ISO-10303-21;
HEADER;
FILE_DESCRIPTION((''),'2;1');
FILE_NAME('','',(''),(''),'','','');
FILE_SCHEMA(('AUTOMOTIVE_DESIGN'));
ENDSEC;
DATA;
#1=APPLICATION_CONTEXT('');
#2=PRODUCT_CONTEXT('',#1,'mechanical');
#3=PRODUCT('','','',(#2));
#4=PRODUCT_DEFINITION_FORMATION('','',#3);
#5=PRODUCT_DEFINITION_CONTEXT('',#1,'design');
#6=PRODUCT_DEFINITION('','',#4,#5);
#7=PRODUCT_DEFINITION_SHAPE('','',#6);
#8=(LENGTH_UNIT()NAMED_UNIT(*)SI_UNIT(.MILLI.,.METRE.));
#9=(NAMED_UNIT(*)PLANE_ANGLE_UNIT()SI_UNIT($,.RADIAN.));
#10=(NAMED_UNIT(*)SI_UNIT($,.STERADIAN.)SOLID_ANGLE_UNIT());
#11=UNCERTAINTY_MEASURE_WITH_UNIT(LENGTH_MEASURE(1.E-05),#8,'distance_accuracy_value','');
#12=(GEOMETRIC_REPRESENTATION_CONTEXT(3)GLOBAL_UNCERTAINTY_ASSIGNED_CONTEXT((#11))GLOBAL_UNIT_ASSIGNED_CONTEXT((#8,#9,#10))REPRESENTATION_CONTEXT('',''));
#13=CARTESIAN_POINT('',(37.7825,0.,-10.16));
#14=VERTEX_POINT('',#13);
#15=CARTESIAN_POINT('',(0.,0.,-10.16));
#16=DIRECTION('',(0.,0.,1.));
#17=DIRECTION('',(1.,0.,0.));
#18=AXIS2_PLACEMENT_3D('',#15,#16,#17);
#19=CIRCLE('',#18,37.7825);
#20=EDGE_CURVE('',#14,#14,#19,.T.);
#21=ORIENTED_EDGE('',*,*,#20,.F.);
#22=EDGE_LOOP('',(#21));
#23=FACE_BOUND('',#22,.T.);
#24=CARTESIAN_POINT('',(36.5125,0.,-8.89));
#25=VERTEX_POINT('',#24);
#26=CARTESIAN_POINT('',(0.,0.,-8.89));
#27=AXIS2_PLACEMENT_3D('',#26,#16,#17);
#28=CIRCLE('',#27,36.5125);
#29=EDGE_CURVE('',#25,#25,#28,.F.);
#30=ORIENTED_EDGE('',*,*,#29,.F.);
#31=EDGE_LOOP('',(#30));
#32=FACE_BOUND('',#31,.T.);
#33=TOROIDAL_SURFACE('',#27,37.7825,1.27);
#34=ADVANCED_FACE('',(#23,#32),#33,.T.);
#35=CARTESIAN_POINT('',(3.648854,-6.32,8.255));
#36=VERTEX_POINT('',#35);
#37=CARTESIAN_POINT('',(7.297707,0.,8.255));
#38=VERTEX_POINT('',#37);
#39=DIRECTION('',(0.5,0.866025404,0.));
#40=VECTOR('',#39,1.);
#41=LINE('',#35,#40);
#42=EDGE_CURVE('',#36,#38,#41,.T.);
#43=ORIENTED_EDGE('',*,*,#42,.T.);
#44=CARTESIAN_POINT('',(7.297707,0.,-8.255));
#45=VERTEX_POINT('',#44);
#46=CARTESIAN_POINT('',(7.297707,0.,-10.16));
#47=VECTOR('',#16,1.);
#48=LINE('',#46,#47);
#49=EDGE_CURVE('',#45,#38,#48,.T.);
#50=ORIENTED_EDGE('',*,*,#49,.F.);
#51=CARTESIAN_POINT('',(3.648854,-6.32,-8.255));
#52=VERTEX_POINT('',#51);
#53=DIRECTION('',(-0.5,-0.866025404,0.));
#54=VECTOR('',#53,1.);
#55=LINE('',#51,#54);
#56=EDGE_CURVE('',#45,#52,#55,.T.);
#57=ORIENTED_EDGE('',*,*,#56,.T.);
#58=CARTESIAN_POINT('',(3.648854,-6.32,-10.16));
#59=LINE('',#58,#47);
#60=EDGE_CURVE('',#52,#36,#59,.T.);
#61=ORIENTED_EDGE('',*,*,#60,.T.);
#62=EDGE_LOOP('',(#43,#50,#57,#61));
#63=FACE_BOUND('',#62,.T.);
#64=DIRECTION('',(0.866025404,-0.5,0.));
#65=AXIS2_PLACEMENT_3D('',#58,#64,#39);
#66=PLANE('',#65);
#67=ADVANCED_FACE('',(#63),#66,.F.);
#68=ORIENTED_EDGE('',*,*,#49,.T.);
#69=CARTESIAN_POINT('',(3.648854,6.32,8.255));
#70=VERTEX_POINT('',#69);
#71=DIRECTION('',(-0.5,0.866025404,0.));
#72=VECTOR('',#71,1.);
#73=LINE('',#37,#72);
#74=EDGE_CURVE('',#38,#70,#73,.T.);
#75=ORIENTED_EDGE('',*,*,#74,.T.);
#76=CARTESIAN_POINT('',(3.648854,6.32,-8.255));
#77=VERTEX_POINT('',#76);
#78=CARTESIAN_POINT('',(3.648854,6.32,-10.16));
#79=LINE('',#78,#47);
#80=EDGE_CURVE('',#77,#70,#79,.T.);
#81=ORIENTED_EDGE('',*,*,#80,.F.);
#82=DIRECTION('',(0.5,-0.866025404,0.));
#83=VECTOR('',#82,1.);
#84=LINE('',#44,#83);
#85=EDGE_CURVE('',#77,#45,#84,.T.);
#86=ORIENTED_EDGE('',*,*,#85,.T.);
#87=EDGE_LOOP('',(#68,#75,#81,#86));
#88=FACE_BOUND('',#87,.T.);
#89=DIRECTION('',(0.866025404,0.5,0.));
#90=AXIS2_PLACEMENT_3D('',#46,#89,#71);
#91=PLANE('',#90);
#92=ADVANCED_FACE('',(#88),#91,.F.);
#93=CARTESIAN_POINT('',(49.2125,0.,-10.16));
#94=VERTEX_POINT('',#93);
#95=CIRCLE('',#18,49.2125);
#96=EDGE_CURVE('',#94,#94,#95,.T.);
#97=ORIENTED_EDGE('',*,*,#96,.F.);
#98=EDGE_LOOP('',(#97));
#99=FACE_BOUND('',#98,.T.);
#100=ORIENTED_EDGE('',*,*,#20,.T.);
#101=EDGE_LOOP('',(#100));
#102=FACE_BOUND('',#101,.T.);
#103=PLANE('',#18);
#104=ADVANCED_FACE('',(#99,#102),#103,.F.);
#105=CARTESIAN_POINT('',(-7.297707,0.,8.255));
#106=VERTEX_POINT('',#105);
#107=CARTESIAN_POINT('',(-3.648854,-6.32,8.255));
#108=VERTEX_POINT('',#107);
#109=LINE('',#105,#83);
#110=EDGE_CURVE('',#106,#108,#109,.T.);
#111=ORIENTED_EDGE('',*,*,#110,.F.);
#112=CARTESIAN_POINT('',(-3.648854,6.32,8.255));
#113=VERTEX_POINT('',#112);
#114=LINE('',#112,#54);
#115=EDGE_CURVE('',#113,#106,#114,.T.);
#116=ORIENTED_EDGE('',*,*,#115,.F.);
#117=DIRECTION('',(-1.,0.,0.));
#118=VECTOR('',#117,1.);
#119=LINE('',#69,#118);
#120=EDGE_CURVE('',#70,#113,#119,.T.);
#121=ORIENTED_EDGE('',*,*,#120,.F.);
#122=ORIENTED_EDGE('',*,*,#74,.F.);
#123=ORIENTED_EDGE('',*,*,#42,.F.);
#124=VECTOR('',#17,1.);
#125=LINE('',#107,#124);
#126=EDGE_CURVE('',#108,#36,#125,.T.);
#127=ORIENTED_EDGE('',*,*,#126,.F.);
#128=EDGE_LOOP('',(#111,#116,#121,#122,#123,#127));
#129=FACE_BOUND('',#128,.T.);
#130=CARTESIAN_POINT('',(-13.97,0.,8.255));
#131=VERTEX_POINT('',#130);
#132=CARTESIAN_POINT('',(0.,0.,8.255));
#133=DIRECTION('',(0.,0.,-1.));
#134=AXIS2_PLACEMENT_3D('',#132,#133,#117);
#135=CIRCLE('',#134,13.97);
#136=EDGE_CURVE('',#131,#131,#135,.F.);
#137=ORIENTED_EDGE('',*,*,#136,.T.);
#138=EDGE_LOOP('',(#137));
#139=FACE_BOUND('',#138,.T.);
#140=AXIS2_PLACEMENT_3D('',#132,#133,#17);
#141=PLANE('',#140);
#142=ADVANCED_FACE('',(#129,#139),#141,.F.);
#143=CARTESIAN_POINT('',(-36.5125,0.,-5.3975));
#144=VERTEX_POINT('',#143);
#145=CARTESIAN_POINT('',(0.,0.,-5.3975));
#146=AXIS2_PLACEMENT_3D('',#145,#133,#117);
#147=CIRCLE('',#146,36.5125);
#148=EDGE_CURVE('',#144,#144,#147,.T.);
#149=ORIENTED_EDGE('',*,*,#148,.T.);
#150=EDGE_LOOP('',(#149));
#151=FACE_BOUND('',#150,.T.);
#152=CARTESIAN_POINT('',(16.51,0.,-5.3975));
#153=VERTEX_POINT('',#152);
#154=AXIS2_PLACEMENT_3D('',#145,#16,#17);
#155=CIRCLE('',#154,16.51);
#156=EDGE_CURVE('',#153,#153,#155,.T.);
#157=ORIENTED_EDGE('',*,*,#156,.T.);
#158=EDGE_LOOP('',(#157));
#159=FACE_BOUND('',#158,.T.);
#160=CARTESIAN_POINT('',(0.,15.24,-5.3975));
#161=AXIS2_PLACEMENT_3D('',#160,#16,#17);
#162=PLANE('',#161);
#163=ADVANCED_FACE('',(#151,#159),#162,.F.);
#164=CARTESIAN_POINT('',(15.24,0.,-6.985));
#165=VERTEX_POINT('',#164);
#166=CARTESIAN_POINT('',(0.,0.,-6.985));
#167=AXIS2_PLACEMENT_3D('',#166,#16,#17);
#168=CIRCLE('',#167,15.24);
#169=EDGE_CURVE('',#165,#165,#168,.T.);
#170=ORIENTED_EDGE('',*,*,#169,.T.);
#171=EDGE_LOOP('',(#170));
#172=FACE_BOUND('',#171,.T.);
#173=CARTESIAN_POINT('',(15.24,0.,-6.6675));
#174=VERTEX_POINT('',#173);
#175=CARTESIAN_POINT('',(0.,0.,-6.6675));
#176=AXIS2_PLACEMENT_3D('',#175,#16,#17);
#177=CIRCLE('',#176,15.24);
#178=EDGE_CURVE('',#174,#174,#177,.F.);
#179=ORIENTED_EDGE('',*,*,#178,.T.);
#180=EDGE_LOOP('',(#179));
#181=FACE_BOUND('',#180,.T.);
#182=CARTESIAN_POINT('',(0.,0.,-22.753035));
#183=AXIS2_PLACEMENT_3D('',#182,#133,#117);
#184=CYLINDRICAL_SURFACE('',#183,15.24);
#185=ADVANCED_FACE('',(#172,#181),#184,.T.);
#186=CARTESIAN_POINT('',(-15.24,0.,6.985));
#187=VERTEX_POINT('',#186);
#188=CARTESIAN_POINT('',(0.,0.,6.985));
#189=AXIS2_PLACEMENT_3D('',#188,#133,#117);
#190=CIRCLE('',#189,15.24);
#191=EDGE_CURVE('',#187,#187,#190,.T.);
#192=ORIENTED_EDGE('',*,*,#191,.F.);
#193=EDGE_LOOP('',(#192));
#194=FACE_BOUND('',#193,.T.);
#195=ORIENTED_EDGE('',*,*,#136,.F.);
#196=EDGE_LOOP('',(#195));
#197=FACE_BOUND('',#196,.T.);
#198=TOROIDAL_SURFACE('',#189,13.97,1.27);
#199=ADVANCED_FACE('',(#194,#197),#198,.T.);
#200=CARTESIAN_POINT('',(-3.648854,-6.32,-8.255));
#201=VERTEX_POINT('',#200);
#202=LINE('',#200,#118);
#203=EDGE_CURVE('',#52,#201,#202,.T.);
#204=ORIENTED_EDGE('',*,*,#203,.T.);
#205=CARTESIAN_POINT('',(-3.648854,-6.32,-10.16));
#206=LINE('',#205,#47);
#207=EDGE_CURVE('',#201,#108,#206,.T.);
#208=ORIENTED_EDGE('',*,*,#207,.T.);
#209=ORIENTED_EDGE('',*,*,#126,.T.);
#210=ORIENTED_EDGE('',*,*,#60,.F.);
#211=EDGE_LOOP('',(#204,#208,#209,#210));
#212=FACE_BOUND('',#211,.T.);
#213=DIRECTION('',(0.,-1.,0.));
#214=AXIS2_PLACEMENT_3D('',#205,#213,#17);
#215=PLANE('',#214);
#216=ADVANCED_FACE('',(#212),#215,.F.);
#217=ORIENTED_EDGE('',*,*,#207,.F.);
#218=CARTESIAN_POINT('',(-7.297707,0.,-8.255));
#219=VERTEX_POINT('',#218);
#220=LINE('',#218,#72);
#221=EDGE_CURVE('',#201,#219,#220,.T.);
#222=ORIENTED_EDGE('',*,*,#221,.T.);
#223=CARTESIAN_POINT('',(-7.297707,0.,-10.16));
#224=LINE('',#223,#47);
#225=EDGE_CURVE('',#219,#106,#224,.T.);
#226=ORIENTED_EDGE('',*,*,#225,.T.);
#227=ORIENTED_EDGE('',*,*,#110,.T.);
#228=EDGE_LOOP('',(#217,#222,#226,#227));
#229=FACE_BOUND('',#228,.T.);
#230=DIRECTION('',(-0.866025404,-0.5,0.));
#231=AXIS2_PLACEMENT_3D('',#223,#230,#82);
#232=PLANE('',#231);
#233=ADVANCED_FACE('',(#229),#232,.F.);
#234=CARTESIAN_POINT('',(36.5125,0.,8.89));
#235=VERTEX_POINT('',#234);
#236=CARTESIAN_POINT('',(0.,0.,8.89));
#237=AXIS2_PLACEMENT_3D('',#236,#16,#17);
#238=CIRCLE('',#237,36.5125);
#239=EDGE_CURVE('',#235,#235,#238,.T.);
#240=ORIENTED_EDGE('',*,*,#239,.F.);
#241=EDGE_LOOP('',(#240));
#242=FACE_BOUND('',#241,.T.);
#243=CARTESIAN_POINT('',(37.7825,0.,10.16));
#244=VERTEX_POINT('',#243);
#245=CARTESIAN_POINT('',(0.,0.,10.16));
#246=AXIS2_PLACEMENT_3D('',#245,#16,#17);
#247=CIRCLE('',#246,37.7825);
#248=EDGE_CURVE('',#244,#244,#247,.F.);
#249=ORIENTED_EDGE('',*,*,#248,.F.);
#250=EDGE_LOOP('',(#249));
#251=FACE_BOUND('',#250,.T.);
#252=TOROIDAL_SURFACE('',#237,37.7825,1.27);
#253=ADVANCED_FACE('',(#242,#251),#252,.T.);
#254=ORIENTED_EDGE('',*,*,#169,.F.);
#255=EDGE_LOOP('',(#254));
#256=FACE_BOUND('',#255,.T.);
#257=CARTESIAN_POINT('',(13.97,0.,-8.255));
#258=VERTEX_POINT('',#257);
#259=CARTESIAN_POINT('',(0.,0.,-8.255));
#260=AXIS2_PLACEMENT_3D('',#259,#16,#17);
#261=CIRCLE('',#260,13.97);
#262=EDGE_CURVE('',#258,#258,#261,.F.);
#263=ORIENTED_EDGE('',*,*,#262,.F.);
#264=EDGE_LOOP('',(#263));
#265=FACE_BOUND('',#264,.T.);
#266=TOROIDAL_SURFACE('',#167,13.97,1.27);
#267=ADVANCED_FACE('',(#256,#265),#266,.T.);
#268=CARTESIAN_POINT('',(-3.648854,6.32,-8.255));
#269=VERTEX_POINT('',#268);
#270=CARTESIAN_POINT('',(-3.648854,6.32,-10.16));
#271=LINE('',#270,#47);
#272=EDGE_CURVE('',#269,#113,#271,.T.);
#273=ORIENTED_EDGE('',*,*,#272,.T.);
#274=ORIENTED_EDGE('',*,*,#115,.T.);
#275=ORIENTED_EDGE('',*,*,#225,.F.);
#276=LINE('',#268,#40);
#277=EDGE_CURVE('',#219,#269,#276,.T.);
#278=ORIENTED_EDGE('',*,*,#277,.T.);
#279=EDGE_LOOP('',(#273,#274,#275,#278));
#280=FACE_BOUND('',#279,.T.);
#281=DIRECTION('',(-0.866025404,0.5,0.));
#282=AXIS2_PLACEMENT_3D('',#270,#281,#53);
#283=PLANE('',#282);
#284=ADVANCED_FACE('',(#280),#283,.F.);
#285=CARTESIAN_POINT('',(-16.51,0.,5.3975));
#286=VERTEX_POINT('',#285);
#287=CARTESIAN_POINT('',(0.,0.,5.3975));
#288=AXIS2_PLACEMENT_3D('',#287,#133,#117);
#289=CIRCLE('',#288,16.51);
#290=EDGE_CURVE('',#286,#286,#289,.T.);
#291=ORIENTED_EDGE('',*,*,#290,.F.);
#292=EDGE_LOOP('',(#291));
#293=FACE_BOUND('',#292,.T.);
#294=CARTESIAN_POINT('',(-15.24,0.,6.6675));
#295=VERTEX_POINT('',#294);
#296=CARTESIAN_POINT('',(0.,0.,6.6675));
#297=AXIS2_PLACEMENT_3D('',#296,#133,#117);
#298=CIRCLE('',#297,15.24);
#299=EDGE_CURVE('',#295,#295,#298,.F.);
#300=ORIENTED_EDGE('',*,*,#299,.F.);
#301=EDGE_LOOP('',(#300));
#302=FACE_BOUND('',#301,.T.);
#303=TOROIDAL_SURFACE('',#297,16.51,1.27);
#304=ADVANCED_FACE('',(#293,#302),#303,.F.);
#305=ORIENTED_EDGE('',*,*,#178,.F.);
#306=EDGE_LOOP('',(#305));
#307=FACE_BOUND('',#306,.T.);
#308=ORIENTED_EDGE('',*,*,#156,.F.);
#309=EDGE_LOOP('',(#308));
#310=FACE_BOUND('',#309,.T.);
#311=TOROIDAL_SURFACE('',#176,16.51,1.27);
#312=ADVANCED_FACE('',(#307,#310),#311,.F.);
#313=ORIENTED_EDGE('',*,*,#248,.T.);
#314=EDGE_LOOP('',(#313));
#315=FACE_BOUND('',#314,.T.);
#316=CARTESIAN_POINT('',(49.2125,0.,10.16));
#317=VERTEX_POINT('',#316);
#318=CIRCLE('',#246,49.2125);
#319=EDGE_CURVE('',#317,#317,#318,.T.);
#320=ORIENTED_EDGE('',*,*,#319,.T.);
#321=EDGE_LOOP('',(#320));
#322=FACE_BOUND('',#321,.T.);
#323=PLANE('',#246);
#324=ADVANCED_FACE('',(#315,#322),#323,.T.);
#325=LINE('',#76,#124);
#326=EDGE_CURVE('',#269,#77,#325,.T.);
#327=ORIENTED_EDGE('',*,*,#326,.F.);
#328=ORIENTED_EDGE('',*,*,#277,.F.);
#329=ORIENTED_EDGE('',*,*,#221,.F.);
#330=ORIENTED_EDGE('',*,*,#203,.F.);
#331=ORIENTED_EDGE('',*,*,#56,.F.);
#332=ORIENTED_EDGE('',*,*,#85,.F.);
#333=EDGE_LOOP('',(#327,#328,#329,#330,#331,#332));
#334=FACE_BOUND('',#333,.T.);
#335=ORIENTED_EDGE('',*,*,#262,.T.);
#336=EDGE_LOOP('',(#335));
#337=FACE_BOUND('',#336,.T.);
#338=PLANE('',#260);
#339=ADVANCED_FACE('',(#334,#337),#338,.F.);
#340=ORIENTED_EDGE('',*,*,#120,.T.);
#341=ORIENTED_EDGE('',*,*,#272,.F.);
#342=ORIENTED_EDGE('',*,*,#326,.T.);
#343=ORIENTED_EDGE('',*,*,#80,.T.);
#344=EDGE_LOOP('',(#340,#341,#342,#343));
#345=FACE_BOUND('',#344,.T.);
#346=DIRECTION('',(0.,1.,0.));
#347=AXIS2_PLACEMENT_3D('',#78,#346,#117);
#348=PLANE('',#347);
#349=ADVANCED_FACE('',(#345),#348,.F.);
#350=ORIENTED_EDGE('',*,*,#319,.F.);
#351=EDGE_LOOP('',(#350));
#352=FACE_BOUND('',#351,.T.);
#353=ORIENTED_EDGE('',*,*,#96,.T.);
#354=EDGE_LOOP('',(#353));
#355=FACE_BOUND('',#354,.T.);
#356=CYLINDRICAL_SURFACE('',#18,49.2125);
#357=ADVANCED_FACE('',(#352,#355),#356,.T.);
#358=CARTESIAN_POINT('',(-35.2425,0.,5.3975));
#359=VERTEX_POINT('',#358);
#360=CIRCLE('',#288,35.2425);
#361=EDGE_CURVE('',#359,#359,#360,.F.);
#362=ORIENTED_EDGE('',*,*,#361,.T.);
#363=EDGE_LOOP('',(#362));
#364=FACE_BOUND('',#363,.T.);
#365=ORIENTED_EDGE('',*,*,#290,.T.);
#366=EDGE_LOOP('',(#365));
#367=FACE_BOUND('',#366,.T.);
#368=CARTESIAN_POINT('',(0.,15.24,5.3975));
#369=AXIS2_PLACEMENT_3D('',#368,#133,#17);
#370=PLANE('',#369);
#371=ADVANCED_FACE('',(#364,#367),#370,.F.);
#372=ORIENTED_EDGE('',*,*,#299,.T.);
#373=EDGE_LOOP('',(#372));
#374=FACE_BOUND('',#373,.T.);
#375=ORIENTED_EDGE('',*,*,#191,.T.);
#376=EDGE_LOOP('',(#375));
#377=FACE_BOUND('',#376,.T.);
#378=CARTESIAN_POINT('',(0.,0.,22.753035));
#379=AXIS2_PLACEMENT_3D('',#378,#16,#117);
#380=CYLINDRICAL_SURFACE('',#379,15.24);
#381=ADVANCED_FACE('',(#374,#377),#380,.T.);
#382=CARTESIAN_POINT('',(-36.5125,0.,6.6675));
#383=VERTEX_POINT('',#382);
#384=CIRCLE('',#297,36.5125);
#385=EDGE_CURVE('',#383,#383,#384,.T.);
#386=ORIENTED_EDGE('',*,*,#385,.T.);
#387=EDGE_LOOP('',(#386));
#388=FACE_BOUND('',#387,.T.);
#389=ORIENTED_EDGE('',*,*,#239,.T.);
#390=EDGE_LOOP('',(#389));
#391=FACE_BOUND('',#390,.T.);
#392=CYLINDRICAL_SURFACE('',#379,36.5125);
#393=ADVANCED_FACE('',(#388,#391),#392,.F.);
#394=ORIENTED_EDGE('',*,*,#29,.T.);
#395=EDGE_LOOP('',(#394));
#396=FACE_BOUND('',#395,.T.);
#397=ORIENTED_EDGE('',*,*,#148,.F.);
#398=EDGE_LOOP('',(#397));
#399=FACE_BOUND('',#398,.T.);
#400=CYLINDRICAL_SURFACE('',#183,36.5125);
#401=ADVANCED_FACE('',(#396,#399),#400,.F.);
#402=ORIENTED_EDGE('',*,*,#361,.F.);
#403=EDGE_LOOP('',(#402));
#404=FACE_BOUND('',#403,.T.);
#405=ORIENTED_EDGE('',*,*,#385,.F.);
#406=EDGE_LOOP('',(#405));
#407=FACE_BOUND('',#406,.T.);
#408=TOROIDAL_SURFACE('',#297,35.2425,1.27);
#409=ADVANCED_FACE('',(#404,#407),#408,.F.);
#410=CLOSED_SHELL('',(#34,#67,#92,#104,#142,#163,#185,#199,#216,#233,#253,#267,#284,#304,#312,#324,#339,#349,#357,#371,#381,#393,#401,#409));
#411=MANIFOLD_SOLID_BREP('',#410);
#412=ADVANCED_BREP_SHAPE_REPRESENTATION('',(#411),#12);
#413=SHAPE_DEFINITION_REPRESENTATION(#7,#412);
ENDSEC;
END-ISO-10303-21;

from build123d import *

# Parameters (mm, degrees)
BOSS_EXTRUDE1_DEPTH      = 10.16
BOSS_EXTRUDE1_DEPTH_BACK = 10.16
SKETCH1_R                = 49.2125
CUT_EXTRUDE1_DEPTH       = 73.502708311
FILLET1_R                = 1.27
FILLET2_R                = 1.27


with BuildPart() as part:
    # Sketch1 → Boss-Extrude1 (new, two sides: drawn at the far end of the back side and taken through both)
    with BuildSketch(Plane.XY.offset(-BOSS_EXTRUDE1_DEPTH_BACK)):
        Circle(SKETCH1_R)
    extrude(amount=BOSS_EXTRUDE1_DEPTH + BOSS_EXTRUDE1_DEPTH_BACK)

    # Sketch2 → Cut-Extrude1 (cut, through all)
    with BuildSketch(Plane.XY.offset(10.16)):
        Polygon((3.648853701, 6.32), (-3.648853701, 6.32), (-7.297707403, 0), (-3.648853701, -6.32), (3.648853701, -6.32), (7.297707403, 0), align=None)
    extrude(amount=-CUT_EXTRUDE1_DEPTH, mode=Mode.SUBTRACT)

    # Sketch3 → Cut-Revolve1 (revolve, cut)
    with BuildSketch(Plane(origin=(0, 0, 0), x_dir=(0, 0, -1), z_dir=(1, 0, 0)), mode=Mode.PRIVATE) as cut_revolve1_sk:
        Polygon((8.255, 15.24), (5.3975, 15.24), (5.3975, 36.5125), (10.16, 36.5125), (10.16, 0), (8.255, 0), align=None)
    cut_revolve1 = revolve(cut_revolve1_sk.sketch.rotate(Axis((0, 0, -22.753035396), (0, 0, 1)), 90), axis=Axis((0, 0, -22.753035396), (0, 0, 1)), mode=Mode.SUBTRACT)

    # Fillet1
    fillet1_edges = [part.edges().sort_by_distance(p)[0] for p in [
        (36.5125, 0, -10.16),
        (15.24, 0, -5.3975),
        (15.24, 0, -8.255),
    ]]
    fillet(fillet1_edges, radius=FILLET1_R)

    # Mirror1: Cut-Revolve1 across plane
    add(cut_revolve1.mirror(Plane.XY), mode=Mode.SUBTRACT)

    # Fillet2
    fillet2_edges = [part.edges().sort_by_distance(p)[0] for p in [
        (15.24, 0, 8.255),
        (36.5125, 0, 5.3975),
        (36.5125, 0, 10.16),
        (15.24, 0, 5.3975),
    ]]
    fillet(fillet2_edges, radius=FILLET2_R)


solid = part.part
